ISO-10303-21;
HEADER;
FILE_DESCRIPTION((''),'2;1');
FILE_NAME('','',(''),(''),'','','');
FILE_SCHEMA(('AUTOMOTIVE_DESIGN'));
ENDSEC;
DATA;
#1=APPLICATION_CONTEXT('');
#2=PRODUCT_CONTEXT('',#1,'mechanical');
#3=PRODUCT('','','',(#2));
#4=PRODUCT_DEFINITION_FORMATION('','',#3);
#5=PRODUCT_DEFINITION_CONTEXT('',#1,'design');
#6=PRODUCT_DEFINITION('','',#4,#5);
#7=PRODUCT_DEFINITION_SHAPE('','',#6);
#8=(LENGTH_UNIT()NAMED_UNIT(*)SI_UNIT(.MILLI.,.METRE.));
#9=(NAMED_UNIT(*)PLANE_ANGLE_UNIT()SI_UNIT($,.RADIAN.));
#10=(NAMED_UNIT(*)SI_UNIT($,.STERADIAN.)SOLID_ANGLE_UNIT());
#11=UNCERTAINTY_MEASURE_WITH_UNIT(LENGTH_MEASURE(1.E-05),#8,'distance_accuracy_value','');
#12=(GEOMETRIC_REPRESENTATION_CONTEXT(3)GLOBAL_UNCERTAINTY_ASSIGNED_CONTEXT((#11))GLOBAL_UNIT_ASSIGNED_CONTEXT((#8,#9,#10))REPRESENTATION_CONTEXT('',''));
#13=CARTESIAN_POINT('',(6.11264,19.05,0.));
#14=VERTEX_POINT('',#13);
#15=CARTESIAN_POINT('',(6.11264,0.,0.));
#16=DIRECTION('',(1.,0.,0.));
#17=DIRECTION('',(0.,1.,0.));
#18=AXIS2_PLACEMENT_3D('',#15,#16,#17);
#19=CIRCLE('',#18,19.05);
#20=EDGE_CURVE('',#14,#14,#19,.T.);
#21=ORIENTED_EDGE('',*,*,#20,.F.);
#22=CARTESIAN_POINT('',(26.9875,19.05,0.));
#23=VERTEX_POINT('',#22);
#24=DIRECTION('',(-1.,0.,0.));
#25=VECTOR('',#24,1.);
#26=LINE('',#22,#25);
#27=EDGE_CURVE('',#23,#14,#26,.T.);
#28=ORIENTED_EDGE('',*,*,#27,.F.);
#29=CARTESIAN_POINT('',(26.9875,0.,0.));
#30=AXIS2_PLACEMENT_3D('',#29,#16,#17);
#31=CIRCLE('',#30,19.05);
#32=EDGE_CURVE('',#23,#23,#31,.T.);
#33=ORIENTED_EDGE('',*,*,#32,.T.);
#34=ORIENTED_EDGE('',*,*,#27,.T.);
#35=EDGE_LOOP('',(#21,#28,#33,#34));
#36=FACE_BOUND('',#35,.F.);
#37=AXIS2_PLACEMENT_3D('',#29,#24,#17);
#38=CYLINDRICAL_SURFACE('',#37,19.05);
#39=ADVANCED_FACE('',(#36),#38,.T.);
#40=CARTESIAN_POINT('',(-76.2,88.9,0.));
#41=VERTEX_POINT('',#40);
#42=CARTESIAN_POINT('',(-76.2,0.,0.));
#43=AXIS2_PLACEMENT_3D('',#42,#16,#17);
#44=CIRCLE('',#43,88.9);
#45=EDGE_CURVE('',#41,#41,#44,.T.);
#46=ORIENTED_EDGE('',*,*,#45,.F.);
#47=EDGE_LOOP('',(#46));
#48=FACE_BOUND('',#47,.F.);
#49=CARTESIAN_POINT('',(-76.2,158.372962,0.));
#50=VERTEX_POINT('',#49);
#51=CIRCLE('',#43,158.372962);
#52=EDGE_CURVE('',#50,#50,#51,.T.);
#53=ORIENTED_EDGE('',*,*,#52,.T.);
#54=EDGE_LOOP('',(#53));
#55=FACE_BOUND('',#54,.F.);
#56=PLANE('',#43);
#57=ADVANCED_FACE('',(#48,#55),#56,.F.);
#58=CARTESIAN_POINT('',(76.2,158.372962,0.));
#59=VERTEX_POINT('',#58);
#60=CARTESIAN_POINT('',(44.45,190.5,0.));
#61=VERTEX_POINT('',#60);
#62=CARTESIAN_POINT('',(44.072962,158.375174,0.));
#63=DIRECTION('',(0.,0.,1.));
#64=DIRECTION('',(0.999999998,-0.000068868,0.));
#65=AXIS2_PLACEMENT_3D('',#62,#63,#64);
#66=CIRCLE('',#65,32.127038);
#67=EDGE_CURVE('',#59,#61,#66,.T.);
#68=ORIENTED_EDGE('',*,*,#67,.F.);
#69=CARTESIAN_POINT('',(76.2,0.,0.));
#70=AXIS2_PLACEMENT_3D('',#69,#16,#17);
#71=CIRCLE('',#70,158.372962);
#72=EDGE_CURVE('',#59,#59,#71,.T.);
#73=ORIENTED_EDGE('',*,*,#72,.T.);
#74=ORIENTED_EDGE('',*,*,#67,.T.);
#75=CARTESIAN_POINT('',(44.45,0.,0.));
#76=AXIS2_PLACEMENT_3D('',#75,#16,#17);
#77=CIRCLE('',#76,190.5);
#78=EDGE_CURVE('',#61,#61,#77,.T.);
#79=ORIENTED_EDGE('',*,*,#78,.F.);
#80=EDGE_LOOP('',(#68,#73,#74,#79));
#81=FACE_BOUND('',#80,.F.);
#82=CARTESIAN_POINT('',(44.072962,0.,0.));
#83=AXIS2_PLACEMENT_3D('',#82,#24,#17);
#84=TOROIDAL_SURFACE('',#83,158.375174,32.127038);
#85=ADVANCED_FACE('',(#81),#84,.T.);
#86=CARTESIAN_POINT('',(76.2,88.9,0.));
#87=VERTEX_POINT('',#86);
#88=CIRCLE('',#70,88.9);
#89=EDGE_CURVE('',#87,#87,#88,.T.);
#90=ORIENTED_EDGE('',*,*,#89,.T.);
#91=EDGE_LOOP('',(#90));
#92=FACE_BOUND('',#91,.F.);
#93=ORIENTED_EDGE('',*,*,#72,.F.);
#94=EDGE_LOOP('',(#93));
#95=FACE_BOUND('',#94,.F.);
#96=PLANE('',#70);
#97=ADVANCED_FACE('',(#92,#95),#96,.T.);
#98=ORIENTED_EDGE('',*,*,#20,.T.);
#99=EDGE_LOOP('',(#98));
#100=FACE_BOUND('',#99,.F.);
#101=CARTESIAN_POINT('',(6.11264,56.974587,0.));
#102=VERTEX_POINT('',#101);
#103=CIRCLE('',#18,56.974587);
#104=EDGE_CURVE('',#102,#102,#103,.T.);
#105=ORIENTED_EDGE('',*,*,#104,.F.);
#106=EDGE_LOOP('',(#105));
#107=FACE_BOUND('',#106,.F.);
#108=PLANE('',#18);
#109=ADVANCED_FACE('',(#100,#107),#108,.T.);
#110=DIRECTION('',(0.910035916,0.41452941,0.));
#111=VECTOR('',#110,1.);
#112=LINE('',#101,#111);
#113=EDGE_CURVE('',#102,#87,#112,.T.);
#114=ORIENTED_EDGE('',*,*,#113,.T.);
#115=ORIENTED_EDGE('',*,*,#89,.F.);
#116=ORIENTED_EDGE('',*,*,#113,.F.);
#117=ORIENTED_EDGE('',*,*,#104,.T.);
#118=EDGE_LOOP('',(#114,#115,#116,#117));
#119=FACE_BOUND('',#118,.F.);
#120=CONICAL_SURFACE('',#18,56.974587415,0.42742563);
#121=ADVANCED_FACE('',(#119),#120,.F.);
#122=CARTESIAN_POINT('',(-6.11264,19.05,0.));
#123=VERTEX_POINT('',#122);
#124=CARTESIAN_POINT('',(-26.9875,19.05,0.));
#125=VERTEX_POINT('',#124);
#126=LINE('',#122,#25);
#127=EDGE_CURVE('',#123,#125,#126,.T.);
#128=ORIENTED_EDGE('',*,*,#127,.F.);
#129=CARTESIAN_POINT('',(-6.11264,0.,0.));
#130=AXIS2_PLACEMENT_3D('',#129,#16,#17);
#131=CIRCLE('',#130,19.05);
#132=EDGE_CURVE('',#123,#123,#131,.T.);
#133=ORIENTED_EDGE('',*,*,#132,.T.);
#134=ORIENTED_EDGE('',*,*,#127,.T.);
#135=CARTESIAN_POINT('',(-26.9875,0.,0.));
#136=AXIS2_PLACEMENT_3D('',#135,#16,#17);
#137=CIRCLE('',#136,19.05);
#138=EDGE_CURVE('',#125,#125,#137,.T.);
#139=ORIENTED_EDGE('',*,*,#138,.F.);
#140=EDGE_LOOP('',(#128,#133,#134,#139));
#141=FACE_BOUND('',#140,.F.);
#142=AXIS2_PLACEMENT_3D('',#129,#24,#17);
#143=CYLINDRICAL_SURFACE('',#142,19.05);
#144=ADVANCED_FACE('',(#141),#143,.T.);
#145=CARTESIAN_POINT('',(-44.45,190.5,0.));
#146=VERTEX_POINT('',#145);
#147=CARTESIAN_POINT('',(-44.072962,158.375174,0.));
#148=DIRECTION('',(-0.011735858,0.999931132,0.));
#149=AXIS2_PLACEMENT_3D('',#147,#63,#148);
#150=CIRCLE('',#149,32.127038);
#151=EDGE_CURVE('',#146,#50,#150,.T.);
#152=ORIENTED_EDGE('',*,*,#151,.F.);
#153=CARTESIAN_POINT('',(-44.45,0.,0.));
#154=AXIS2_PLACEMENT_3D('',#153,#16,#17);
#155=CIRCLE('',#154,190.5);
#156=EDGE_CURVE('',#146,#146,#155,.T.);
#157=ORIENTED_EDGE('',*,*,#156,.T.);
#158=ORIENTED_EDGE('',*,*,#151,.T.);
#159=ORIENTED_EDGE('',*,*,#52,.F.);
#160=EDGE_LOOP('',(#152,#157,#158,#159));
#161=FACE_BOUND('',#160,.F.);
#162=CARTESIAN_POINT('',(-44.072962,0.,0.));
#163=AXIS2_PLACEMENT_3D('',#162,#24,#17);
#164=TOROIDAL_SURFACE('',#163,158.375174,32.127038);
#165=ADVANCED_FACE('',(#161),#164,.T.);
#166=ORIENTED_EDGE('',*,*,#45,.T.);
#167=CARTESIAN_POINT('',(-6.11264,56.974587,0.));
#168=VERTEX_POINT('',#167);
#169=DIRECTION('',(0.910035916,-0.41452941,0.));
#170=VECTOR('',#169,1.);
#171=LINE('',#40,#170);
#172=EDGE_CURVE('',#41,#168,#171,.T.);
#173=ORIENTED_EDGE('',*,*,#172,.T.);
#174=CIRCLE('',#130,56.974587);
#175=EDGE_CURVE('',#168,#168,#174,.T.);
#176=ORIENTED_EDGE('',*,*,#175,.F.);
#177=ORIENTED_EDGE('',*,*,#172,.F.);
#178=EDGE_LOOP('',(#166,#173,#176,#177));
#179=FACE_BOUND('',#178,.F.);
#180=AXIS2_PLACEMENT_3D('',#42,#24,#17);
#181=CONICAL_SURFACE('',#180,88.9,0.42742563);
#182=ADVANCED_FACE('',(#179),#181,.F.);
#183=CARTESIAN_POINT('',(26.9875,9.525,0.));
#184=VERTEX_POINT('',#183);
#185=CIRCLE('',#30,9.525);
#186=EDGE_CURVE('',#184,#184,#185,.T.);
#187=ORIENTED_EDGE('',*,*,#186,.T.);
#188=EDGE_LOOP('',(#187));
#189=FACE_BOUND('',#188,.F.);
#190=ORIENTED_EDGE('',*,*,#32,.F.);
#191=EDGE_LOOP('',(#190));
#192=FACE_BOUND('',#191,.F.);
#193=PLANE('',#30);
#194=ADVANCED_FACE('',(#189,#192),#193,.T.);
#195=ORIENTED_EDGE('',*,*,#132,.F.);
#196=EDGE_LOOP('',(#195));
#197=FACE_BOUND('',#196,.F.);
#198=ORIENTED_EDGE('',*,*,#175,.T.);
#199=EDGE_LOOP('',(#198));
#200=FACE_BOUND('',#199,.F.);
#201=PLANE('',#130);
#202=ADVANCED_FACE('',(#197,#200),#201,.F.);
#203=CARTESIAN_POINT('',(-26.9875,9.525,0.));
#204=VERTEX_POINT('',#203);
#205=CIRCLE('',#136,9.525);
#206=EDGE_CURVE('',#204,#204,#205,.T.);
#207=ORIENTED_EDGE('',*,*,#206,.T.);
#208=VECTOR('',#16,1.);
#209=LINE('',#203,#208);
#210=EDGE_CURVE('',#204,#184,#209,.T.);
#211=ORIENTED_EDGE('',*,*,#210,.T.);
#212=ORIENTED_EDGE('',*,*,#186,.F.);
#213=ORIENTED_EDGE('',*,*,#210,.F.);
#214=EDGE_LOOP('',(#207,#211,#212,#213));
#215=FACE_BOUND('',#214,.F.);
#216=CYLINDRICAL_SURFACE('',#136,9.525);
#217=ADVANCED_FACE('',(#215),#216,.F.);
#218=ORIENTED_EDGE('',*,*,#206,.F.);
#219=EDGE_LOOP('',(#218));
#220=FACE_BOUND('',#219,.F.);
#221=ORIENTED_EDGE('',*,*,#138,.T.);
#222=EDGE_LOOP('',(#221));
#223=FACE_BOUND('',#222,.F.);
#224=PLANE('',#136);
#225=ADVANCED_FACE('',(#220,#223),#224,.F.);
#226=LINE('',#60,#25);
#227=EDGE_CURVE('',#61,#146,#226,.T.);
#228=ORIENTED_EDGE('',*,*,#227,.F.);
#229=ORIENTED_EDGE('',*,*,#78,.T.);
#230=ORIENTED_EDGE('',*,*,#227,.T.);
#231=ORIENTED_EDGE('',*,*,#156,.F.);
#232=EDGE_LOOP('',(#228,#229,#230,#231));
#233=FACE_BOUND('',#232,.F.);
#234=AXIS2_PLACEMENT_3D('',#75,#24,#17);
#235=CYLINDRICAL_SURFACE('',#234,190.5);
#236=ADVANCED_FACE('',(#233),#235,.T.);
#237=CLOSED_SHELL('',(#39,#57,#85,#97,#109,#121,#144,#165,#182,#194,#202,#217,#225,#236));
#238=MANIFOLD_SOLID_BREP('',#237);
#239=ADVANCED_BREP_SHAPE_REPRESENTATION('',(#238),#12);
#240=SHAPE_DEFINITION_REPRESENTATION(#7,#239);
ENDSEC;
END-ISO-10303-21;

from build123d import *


with BuildPart() as part:
    # Sketch1 → Revolve1 (revolve)
    with BuildSketch(Plane.XY):
        with BuildLine():
            Line((-26.9875, 9.525), (26.9875, 9.525))
            Line((26.9875, 9.525), (26.9875, 19.05))
            Line((26.9875, 19.05), (6.112639692, 19.05))
            Line((6.112639692, 19.05), (6.112639692, 56.974587415))
            Line((6.112639692, 56.974587415), (76.2, 88.9))
            Line((76.2, 88.9), (76.2, 158.372961578))
            ThreePointArc((76.2, 158.372961578), (66.923900362, 180.957937381), (44.45, 190.5))
            Line((44.45, 190.5), (-44.45, 190.5))
            ThreePointArc((-44.45, 190.5), (-66.923900362, 180.957937381), (-76.2, 158.372961578))
            Line((-76.2, 158.372961578), (-76.2, 88.9))
            Line((-76.2, 88.9), (-6.112639692, 56.974587415))
            Line((-6.112639692, 56.974587415), (-6.112639692, 19.05))
            Line((-6.112639692, 19.05), (-26.9875, 19.05))
            Line((-26.9875, 19.05), (-26.9875, 9.525))
        make_face()
    revolve(axis=Axis((-76.2, 0, 0), (1, 0, 0)))


solid = part.part
